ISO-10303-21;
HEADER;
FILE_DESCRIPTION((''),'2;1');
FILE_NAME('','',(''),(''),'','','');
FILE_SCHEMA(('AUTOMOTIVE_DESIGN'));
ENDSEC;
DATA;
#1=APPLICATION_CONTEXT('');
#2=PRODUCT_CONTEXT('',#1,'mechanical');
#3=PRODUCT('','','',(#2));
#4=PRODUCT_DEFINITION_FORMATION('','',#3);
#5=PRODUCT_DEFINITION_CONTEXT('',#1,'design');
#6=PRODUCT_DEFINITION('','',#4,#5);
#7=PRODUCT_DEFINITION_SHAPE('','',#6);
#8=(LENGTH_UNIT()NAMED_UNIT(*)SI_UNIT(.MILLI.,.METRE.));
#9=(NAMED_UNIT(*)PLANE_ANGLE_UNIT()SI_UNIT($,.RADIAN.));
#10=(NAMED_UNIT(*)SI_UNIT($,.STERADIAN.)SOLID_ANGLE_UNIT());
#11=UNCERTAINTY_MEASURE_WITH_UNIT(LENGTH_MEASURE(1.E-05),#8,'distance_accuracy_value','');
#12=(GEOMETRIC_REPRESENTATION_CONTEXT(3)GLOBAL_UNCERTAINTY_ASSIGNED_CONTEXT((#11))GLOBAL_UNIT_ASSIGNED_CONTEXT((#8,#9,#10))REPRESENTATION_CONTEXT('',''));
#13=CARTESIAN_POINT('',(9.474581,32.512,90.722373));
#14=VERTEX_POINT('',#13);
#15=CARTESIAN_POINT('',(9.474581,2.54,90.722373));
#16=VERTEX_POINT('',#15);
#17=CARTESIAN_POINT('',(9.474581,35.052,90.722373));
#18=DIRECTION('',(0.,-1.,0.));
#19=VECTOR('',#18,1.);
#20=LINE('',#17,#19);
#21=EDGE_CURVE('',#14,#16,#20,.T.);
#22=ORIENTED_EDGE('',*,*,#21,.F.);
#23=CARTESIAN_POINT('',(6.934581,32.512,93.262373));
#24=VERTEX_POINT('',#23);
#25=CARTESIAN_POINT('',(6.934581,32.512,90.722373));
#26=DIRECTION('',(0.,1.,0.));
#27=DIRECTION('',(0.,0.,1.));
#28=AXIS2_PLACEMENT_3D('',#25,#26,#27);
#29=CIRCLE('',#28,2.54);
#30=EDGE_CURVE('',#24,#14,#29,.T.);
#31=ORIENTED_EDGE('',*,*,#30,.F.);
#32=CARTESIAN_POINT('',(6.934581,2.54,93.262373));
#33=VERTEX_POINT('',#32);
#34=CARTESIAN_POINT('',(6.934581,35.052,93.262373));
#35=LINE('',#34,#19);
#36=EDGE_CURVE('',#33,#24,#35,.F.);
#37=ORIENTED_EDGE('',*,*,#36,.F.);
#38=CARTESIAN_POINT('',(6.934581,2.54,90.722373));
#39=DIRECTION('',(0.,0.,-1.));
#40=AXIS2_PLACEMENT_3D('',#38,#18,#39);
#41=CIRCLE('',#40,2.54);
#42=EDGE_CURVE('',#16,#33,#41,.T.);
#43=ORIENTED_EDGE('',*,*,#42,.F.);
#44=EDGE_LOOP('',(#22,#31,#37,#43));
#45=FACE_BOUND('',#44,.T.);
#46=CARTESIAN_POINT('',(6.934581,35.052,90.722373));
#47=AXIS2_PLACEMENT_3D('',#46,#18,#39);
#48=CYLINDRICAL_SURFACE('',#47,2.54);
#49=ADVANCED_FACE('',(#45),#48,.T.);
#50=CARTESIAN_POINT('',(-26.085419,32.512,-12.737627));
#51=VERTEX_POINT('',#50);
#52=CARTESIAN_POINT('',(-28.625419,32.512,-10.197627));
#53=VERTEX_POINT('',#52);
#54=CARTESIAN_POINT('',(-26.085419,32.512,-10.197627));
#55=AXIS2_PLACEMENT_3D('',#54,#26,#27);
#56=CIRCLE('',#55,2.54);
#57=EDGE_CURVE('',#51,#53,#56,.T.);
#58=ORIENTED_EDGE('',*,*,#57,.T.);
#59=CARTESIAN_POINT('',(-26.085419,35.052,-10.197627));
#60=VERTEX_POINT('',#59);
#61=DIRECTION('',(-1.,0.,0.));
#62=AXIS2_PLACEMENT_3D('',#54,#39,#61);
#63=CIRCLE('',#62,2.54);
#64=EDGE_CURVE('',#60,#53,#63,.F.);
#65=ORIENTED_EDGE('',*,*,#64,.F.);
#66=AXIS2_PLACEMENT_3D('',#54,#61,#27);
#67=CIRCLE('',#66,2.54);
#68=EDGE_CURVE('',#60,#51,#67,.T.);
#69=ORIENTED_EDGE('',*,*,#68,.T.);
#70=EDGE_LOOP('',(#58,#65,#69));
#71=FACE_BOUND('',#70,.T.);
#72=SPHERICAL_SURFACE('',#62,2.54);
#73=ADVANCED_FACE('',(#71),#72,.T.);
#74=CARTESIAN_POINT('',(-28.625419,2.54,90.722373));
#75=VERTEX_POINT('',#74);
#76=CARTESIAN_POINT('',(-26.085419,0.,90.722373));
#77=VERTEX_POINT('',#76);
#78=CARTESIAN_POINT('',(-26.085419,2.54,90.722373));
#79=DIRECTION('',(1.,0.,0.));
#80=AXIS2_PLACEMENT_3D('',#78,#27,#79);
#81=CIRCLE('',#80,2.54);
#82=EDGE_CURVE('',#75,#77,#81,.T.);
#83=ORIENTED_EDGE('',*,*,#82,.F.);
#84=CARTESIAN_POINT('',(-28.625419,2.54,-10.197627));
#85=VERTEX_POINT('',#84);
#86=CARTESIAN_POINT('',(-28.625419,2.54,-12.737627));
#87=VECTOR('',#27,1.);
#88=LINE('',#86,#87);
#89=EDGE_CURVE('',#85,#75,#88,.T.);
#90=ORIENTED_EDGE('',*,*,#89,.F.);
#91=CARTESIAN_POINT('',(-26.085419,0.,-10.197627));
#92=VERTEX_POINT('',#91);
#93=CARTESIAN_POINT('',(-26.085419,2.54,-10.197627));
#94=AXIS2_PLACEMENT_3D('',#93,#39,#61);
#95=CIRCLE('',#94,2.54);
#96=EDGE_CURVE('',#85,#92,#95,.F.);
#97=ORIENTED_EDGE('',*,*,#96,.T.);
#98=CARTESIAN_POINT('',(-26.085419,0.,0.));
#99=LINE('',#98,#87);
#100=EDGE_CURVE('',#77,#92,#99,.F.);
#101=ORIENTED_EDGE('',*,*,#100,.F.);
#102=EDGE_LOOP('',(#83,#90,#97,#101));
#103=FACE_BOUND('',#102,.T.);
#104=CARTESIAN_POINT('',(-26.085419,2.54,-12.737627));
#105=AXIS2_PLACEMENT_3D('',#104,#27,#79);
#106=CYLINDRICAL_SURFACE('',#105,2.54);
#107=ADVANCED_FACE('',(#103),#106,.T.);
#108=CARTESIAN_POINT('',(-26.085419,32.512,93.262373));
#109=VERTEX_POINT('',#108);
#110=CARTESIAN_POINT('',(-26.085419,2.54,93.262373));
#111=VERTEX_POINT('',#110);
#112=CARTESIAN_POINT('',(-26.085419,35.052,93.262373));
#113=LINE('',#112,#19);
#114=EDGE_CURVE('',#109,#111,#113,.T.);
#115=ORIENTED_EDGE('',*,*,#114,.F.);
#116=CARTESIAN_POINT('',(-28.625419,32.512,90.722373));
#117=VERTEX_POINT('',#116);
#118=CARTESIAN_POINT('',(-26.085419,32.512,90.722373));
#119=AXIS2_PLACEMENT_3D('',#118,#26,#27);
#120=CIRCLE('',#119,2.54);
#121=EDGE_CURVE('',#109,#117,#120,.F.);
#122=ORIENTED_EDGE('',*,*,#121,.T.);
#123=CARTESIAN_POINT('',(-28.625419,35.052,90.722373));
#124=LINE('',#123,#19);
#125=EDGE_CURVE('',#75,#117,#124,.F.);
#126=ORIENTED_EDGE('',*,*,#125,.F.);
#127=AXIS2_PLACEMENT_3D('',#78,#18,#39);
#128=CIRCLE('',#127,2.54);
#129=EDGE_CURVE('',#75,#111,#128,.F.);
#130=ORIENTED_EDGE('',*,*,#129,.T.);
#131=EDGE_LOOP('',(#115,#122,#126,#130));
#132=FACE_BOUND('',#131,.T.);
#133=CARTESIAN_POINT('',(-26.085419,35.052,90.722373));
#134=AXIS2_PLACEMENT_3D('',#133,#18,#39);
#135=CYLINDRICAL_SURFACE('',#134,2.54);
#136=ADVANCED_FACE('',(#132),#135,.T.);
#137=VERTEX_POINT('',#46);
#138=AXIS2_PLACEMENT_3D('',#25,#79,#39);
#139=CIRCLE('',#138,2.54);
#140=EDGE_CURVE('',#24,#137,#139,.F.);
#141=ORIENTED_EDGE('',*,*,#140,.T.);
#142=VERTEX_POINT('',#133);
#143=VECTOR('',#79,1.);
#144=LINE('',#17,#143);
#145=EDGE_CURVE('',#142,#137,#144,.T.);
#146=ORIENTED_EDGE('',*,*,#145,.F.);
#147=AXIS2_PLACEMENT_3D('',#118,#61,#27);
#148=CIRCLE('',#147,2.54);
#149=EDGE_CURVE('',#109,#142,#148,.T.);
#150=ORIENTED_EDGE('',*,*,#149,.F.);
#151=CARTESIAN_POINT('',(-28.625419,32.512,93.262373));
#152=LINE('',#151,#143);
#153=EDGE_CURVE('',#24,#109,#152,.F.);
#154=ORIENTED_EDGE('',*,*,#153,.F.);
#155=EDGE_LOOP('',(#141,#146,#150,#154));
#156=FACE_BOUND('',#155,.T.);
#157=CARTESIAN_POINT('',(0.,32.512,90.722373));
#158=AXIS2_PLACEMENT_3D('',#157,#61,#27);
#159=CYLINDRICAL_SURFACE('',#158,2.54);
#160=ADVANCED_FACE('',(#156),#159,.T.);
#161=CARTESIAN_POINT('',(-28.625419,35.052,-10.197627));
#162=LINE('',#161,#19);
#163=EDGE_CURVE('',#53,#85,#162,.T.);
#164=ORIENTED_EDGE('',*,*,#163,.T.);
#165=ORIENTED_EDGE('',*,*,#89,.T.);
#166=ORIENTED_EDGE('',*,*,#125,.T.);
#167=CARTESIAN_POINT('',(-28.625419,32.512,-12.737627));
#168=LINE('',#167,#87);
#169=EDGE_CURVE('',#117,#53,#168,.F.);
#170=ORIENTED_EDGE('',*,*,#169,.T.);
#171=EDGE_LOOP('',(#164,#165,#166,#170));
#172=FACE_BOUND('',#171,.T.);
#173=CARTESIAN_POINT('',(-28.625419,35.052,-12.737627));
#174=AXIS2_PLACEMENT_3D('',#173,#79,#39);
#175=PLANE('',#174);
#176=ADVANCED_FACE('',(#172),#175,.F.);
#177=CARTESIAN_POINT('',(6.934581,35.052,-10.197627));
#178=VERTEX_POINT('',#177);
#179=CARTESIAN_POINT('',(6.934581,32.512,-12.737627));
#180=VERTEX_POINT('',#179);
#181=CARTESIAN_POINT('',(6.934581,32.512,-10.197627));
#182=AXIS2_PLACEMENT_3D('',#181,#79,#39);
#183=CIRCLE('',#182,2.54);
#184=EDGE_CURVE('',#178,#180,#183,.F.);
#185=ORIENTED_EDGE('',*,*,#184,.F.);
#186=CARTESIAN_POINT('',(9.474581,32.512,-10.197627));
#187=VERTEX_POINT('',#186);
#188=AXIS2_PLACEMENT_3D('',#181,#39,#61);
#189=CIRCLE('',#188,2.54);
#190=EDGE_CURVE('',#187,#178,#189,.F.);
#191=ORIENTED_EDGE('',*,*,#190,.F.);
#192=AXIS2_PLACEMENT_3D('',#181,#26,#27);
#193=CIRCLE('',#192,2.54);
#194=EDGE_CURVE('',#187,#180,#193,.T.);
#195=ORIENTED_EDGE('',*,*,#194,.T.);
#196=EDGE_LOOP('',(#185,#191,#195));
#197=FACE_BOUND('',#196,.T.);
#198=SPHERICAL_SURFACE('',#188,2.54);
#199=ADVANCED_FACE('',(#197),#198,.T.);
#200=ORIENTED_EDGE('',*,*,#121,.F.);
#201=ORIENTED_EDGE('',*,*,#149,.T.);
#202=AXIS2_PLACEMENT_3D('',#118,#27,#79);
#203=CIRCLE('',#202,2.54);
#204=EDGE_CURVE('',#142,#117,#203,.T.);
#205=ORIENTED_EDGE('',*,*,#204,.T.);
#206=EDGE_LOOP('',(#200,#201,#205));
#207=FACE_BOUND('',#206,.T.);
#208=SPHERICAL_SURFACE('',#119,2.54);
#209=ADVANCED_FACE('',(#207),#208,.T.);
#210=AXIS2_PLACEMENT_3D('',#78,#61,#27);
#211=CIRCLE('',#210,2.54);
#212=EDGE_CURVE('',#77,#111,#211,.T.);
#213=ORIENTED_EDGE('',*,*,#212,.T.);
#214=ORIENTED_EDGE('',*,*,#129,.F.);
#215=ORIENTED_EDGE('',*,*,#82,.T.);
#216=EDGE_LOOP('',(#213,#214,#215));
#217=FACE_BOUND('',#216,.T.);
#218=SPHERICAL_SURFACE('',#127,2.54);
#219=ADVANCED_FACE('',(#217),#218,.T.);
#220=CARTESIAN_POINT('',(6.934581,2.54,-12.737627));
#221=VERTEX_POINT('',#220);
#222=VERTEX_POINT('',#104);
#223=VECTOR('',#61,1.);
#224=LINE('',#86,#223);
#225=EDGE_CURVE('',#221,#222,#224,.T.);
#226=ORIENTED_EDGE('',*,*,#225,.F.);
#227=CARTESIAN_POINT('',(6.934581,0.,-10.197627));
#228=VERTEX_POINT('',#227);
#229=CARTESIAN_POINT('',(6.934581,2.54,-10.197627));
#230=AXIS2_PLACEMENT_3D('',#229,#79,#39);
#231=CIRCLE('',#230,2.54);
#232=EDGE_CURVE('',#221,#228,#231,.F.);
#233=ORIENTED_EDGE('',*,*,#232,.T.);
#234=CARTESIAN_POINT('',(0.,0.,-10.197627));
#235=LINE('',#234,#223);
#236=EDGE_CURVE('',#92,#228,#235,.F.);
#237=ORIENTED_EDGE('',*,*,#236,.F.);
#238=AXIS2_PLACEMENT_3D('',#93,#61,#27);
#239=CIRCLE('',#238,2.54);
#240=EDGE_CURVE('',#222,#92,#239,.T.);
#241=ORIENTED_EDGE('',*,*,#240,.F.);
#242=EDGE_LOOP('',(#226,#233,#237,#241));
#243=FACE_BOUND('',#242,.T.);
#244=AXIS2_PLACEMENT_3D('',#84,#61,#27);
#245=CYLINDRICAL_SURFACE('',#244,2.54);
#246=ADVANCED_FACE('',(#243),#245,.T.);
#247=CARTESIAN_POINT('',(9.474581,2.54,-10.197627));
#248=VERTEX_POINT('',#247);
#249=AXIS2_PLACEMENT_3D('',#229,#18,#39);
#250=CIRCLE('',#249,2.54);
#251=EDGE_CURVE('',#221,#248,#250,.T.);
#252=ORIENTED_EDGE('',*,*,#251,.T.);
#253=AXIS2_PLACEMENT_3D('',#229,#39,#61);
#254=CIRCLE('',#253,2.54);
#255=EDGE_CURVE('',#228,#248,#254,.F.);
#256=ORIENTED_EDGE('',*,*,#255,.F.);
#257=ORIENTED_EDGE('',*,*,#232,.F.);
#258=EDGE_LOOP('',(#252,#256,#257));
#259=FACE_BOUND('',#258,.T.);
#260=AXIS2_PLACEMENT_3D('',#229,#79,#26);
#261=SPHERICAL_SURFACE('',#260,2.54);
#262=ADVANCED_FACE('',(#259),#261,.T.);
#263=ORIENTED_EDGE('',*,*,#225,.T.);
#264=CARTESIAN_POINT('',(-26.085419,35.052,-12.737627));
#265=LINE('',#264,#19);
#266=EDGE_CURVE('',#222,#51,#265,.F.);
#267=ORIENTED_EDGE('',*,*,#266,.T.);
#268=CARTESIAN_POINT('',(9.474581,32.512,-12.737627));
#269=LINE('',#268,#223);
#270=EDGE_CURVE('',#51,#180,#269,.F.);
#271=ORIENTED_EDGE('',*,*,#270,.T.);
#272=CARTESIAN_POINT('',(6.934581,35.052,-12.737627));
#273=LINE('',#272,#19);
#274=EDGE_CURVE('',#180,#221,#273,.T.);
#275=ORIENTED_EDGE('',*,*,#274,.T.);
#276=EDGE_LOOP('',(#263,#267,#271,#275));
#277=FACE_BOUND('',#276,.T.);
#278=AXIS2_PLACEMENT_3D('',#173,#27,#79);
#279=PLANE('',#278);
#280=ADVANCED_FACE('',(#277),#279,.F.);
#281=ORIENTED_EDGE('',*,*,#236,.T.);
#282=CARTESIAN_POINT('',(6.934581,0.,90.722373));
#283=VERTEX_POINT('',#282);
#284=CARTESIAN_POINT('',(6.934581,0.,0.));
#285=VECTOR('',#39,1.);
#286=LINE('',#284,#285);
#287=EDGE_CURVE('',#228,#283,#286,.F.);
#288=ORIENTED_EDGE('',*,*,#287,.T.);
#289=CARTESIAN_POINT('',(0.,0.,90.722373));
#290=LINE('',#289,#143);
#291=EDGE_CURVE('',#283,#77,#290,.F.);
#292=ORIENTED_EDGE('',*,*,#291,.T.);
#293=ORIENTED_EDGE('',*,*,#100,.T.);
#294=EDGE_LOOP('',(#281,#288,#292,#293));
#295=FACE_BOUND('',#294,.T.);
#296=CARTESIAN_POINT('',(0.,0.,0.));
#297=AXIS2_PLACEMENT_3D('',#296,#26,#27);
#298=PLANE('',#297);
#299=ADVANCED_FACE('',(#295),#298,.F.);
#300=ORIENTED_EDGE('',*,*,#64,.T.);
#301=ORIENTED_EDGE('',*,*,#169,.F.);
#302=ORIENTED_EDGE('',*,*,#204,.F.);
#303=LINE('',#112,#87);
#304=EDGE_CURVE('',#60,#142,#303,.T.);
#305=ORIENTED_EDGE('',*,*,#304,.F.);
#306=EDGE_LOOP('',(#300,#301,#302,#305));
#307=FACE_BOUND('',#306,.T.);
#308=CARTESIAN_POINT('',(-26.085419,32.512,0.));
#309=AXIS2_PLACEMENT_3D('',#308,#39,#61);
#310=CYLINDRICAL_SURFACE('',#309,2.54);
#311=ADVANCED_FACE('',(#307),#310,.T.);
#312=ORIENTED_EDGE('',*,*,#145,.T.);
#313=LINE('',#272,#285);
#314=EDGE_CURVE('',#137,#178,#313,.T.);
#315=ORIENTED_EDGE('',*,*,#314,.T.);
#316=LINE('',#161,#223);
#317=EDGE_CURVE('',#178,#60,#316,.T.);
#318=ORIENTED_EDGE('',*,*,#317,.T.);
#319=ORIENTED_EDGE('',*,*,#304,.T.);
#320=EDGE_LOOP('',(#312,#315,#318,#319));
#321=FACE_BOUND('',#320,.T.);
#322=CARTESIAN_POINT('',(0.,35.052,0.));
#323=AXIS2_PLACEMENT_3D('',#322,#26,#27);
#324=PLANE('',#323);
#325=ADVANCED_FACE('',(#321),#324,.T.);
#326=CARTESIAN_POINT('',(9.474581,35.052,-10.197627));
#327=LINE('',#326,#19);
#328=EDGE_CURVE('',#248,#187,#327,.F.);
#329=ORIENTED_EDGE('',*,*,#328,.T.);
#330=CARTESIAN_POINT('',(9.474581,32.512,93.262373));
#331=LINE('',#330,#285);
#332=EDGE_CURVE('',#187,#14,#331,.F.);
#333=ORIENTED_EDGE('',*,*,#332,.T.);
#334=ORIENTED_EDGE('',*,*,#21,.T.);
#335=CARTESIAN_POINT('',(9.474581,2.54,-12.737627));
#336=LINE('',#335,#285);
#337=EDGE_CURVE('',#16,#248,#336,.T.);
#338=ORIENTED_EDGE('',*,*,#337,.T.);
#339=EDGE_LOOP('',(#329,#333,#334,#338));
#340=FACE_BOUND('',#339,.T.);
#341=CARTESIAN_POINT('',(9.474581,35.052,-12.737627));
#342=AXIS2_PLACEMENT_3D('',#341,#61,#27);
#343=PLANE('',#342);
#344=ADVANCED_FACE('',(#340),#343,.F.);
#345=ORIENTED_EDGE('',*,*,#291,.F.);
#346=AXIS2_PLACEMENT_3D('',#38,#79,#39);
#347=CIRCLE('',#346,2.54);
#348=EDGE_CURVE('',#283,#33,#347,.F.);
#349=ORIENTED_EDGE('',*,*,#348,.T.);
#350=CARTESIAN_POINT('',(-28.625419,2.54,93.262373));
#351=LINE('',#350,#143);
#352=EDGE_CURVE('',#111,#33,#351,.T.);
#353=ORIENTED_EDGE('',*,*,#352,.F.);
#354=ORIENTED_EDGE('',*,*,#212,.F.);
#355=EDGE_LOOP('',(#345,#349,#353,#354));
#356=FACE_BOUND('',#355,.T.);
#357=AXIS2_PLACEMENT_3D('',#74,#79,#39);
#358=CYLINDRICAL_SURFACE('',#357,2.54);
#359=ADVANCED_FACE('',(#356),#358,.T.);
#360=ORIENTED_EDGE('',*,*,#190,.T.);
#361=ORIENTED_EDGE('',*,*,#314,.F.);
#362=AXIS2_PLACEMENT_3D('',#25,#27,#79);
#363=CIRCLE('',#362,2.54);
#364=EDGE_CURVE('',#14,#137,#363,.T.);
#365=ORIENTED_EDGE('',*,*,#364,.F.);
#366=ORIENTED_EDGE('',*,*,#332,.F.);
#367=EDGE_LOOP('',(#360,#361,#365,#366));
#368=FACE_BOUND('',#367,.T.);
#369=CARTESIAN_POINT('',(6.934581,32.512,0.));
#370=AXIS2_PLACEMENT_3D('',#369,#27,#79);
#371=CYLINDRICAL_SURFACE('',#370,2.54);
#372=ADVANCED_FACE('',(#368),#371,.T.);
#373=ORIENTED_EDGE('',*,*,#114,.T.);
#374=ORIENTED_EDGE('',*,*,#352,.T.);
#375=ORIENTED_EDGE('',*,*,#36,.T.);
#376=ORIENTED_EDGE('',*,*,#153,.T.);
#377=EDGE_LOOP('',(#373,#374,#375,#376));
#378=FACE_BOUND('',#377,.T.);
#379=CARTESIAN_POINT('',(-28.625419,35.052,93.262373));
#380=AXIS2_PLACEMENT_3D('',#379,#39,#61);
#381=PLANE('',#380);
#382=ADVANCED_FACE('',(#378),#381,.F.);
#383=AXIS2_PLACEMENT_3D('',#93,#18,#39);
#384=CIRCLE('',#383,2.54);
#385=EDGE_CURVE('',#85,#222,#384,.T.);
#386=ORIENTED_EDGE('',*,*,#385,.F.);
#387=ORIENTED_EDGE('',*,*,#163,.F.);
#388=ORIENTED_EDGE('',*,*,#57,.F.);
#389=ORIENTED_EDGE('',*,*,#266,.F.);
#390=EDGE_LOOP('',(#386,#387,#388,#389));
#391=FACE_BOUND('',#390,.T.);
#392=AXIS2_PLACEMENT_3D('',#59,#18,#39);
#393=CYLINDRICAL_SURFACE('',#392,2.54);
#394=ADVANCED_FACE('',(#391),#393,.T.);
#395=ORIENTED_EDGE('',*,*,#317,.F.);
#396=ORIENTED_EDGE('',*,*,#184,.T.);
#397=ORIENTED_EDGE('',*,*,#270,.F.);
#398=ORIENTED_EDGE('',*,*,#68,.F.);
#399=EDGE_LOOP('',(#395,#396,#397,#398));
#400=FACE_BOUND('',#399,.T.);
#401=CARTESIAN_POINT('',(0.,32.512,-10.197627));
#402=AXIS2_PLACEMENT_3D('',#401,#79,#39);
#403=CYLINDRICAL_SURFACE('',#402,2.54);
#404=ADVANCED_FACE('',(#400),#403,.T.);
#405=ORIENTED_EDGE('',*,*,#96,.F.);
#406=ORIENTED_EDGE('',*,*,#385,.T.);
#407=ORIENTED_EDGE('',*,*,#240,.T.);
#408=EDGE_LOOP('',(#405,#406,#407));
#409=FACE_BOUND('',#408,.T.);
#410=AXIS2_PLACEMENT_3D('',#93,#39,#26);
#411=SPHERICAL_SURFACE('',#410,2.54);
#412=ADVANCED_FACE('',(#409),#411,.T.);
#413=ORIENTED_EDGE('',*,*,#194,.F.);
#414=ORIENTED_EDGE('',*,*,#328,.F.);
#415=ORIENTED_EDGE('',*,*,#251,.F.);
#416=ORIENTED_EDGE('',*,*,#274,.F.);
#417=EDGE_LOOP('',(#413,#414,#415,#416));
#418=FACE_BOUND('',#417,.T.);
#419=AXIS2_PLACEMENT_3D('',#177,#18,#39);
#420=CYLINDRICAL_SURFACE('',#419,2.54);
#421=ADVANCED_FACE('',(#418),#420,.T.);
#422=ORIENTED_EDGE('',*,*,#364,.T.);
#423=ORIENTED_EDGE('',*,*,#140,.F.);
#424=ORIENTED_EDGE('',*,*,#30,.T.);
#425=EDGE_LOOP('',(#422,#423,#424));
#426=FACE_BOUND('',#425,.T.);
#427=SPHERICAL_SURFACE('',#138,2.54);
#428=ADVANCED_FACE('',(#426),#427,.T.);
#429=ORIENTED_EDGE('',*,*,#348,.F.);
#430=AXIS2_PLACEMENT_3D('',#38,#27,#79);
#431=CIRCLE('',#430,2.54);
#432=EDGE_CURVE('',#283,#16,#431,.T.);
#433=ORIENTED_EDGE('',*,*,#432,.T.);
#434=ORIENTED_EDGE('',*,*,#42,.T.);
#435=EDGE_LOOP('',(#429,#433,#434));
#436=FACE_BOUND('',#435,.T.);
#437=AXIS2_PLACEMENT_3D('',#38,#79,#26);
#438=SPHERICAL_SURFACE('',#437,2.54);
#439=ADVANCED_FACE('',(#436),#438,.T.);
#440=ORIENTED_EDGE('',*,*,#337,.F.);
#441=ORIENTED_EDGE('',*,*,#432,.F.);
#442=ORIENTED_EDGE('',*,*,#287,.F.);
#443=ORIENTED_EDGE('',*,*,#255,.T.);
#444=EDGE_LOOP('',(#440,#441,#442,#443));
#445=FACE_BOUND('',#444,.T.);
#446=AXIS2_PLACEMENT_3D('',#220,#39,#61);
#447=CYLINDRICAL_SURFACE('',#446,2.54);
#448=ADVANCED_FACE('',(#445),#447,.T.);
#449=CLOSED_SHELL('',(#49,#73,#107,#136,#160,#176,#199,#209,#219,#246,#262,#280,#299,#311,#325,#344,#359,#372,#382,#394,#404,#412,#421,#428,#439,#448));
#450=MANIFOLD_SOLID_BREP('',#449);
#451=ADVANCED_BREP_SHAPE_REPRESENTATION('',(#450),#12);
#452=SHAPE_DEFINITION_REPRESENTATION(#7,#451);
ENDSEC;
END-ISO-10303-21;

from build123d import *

# Parameters (mm, degrees)
SKETCH1_W           = 38.1
SKETCH1_H           = 106
BOSS_EXTRUDE1_DEPTH = 35.052
FILLET1_R           = 2.54


with BuildPart() as part:
    # Sketch1 → Boss-Extrude1 (new body)
    with BuildSketch(Plane(origin=(0, 0, 0), x_dir=(1, 0, 0), z_dir=(0, 1, 0))):
        with Locations((-9.57541945, -40.262373163)):
            Rectangle(SKETCH1_W, SKETCH1_H)
    extrude(amount=BOSS_EXTRUDE1_DEPTH)

    # Fillet1
    fillet1_edges = [part.edges().sort_by_distance(p)[0] for p in [
        (9.47458055, 35.052, 40.262373163),
        (-9.57541945, 35.052, -12.737626837),
        (-28.62541945, 35.052, 40.262373163),
        (-9.57541945, 0, -12.737626837),
        (9.47458055, 0, 40.262373163),
        (-9.57541945, 0, 93.262373163),
        (-28.62541945, 0, 40.262373163),
        (-28.62541945, 17.526, -12.737626837),
        (9.47458055, 17.526, -12.737626837),
        (9.47458055, 17.526, 93.262373163),
        (-28.62541945, 17.526, 93.262373163),
        (-9.57541945, 35.052, 93.262373163),
    ]]
    fillet(fillet1_edges, radius=FILLET1_R)


solid = part.part
